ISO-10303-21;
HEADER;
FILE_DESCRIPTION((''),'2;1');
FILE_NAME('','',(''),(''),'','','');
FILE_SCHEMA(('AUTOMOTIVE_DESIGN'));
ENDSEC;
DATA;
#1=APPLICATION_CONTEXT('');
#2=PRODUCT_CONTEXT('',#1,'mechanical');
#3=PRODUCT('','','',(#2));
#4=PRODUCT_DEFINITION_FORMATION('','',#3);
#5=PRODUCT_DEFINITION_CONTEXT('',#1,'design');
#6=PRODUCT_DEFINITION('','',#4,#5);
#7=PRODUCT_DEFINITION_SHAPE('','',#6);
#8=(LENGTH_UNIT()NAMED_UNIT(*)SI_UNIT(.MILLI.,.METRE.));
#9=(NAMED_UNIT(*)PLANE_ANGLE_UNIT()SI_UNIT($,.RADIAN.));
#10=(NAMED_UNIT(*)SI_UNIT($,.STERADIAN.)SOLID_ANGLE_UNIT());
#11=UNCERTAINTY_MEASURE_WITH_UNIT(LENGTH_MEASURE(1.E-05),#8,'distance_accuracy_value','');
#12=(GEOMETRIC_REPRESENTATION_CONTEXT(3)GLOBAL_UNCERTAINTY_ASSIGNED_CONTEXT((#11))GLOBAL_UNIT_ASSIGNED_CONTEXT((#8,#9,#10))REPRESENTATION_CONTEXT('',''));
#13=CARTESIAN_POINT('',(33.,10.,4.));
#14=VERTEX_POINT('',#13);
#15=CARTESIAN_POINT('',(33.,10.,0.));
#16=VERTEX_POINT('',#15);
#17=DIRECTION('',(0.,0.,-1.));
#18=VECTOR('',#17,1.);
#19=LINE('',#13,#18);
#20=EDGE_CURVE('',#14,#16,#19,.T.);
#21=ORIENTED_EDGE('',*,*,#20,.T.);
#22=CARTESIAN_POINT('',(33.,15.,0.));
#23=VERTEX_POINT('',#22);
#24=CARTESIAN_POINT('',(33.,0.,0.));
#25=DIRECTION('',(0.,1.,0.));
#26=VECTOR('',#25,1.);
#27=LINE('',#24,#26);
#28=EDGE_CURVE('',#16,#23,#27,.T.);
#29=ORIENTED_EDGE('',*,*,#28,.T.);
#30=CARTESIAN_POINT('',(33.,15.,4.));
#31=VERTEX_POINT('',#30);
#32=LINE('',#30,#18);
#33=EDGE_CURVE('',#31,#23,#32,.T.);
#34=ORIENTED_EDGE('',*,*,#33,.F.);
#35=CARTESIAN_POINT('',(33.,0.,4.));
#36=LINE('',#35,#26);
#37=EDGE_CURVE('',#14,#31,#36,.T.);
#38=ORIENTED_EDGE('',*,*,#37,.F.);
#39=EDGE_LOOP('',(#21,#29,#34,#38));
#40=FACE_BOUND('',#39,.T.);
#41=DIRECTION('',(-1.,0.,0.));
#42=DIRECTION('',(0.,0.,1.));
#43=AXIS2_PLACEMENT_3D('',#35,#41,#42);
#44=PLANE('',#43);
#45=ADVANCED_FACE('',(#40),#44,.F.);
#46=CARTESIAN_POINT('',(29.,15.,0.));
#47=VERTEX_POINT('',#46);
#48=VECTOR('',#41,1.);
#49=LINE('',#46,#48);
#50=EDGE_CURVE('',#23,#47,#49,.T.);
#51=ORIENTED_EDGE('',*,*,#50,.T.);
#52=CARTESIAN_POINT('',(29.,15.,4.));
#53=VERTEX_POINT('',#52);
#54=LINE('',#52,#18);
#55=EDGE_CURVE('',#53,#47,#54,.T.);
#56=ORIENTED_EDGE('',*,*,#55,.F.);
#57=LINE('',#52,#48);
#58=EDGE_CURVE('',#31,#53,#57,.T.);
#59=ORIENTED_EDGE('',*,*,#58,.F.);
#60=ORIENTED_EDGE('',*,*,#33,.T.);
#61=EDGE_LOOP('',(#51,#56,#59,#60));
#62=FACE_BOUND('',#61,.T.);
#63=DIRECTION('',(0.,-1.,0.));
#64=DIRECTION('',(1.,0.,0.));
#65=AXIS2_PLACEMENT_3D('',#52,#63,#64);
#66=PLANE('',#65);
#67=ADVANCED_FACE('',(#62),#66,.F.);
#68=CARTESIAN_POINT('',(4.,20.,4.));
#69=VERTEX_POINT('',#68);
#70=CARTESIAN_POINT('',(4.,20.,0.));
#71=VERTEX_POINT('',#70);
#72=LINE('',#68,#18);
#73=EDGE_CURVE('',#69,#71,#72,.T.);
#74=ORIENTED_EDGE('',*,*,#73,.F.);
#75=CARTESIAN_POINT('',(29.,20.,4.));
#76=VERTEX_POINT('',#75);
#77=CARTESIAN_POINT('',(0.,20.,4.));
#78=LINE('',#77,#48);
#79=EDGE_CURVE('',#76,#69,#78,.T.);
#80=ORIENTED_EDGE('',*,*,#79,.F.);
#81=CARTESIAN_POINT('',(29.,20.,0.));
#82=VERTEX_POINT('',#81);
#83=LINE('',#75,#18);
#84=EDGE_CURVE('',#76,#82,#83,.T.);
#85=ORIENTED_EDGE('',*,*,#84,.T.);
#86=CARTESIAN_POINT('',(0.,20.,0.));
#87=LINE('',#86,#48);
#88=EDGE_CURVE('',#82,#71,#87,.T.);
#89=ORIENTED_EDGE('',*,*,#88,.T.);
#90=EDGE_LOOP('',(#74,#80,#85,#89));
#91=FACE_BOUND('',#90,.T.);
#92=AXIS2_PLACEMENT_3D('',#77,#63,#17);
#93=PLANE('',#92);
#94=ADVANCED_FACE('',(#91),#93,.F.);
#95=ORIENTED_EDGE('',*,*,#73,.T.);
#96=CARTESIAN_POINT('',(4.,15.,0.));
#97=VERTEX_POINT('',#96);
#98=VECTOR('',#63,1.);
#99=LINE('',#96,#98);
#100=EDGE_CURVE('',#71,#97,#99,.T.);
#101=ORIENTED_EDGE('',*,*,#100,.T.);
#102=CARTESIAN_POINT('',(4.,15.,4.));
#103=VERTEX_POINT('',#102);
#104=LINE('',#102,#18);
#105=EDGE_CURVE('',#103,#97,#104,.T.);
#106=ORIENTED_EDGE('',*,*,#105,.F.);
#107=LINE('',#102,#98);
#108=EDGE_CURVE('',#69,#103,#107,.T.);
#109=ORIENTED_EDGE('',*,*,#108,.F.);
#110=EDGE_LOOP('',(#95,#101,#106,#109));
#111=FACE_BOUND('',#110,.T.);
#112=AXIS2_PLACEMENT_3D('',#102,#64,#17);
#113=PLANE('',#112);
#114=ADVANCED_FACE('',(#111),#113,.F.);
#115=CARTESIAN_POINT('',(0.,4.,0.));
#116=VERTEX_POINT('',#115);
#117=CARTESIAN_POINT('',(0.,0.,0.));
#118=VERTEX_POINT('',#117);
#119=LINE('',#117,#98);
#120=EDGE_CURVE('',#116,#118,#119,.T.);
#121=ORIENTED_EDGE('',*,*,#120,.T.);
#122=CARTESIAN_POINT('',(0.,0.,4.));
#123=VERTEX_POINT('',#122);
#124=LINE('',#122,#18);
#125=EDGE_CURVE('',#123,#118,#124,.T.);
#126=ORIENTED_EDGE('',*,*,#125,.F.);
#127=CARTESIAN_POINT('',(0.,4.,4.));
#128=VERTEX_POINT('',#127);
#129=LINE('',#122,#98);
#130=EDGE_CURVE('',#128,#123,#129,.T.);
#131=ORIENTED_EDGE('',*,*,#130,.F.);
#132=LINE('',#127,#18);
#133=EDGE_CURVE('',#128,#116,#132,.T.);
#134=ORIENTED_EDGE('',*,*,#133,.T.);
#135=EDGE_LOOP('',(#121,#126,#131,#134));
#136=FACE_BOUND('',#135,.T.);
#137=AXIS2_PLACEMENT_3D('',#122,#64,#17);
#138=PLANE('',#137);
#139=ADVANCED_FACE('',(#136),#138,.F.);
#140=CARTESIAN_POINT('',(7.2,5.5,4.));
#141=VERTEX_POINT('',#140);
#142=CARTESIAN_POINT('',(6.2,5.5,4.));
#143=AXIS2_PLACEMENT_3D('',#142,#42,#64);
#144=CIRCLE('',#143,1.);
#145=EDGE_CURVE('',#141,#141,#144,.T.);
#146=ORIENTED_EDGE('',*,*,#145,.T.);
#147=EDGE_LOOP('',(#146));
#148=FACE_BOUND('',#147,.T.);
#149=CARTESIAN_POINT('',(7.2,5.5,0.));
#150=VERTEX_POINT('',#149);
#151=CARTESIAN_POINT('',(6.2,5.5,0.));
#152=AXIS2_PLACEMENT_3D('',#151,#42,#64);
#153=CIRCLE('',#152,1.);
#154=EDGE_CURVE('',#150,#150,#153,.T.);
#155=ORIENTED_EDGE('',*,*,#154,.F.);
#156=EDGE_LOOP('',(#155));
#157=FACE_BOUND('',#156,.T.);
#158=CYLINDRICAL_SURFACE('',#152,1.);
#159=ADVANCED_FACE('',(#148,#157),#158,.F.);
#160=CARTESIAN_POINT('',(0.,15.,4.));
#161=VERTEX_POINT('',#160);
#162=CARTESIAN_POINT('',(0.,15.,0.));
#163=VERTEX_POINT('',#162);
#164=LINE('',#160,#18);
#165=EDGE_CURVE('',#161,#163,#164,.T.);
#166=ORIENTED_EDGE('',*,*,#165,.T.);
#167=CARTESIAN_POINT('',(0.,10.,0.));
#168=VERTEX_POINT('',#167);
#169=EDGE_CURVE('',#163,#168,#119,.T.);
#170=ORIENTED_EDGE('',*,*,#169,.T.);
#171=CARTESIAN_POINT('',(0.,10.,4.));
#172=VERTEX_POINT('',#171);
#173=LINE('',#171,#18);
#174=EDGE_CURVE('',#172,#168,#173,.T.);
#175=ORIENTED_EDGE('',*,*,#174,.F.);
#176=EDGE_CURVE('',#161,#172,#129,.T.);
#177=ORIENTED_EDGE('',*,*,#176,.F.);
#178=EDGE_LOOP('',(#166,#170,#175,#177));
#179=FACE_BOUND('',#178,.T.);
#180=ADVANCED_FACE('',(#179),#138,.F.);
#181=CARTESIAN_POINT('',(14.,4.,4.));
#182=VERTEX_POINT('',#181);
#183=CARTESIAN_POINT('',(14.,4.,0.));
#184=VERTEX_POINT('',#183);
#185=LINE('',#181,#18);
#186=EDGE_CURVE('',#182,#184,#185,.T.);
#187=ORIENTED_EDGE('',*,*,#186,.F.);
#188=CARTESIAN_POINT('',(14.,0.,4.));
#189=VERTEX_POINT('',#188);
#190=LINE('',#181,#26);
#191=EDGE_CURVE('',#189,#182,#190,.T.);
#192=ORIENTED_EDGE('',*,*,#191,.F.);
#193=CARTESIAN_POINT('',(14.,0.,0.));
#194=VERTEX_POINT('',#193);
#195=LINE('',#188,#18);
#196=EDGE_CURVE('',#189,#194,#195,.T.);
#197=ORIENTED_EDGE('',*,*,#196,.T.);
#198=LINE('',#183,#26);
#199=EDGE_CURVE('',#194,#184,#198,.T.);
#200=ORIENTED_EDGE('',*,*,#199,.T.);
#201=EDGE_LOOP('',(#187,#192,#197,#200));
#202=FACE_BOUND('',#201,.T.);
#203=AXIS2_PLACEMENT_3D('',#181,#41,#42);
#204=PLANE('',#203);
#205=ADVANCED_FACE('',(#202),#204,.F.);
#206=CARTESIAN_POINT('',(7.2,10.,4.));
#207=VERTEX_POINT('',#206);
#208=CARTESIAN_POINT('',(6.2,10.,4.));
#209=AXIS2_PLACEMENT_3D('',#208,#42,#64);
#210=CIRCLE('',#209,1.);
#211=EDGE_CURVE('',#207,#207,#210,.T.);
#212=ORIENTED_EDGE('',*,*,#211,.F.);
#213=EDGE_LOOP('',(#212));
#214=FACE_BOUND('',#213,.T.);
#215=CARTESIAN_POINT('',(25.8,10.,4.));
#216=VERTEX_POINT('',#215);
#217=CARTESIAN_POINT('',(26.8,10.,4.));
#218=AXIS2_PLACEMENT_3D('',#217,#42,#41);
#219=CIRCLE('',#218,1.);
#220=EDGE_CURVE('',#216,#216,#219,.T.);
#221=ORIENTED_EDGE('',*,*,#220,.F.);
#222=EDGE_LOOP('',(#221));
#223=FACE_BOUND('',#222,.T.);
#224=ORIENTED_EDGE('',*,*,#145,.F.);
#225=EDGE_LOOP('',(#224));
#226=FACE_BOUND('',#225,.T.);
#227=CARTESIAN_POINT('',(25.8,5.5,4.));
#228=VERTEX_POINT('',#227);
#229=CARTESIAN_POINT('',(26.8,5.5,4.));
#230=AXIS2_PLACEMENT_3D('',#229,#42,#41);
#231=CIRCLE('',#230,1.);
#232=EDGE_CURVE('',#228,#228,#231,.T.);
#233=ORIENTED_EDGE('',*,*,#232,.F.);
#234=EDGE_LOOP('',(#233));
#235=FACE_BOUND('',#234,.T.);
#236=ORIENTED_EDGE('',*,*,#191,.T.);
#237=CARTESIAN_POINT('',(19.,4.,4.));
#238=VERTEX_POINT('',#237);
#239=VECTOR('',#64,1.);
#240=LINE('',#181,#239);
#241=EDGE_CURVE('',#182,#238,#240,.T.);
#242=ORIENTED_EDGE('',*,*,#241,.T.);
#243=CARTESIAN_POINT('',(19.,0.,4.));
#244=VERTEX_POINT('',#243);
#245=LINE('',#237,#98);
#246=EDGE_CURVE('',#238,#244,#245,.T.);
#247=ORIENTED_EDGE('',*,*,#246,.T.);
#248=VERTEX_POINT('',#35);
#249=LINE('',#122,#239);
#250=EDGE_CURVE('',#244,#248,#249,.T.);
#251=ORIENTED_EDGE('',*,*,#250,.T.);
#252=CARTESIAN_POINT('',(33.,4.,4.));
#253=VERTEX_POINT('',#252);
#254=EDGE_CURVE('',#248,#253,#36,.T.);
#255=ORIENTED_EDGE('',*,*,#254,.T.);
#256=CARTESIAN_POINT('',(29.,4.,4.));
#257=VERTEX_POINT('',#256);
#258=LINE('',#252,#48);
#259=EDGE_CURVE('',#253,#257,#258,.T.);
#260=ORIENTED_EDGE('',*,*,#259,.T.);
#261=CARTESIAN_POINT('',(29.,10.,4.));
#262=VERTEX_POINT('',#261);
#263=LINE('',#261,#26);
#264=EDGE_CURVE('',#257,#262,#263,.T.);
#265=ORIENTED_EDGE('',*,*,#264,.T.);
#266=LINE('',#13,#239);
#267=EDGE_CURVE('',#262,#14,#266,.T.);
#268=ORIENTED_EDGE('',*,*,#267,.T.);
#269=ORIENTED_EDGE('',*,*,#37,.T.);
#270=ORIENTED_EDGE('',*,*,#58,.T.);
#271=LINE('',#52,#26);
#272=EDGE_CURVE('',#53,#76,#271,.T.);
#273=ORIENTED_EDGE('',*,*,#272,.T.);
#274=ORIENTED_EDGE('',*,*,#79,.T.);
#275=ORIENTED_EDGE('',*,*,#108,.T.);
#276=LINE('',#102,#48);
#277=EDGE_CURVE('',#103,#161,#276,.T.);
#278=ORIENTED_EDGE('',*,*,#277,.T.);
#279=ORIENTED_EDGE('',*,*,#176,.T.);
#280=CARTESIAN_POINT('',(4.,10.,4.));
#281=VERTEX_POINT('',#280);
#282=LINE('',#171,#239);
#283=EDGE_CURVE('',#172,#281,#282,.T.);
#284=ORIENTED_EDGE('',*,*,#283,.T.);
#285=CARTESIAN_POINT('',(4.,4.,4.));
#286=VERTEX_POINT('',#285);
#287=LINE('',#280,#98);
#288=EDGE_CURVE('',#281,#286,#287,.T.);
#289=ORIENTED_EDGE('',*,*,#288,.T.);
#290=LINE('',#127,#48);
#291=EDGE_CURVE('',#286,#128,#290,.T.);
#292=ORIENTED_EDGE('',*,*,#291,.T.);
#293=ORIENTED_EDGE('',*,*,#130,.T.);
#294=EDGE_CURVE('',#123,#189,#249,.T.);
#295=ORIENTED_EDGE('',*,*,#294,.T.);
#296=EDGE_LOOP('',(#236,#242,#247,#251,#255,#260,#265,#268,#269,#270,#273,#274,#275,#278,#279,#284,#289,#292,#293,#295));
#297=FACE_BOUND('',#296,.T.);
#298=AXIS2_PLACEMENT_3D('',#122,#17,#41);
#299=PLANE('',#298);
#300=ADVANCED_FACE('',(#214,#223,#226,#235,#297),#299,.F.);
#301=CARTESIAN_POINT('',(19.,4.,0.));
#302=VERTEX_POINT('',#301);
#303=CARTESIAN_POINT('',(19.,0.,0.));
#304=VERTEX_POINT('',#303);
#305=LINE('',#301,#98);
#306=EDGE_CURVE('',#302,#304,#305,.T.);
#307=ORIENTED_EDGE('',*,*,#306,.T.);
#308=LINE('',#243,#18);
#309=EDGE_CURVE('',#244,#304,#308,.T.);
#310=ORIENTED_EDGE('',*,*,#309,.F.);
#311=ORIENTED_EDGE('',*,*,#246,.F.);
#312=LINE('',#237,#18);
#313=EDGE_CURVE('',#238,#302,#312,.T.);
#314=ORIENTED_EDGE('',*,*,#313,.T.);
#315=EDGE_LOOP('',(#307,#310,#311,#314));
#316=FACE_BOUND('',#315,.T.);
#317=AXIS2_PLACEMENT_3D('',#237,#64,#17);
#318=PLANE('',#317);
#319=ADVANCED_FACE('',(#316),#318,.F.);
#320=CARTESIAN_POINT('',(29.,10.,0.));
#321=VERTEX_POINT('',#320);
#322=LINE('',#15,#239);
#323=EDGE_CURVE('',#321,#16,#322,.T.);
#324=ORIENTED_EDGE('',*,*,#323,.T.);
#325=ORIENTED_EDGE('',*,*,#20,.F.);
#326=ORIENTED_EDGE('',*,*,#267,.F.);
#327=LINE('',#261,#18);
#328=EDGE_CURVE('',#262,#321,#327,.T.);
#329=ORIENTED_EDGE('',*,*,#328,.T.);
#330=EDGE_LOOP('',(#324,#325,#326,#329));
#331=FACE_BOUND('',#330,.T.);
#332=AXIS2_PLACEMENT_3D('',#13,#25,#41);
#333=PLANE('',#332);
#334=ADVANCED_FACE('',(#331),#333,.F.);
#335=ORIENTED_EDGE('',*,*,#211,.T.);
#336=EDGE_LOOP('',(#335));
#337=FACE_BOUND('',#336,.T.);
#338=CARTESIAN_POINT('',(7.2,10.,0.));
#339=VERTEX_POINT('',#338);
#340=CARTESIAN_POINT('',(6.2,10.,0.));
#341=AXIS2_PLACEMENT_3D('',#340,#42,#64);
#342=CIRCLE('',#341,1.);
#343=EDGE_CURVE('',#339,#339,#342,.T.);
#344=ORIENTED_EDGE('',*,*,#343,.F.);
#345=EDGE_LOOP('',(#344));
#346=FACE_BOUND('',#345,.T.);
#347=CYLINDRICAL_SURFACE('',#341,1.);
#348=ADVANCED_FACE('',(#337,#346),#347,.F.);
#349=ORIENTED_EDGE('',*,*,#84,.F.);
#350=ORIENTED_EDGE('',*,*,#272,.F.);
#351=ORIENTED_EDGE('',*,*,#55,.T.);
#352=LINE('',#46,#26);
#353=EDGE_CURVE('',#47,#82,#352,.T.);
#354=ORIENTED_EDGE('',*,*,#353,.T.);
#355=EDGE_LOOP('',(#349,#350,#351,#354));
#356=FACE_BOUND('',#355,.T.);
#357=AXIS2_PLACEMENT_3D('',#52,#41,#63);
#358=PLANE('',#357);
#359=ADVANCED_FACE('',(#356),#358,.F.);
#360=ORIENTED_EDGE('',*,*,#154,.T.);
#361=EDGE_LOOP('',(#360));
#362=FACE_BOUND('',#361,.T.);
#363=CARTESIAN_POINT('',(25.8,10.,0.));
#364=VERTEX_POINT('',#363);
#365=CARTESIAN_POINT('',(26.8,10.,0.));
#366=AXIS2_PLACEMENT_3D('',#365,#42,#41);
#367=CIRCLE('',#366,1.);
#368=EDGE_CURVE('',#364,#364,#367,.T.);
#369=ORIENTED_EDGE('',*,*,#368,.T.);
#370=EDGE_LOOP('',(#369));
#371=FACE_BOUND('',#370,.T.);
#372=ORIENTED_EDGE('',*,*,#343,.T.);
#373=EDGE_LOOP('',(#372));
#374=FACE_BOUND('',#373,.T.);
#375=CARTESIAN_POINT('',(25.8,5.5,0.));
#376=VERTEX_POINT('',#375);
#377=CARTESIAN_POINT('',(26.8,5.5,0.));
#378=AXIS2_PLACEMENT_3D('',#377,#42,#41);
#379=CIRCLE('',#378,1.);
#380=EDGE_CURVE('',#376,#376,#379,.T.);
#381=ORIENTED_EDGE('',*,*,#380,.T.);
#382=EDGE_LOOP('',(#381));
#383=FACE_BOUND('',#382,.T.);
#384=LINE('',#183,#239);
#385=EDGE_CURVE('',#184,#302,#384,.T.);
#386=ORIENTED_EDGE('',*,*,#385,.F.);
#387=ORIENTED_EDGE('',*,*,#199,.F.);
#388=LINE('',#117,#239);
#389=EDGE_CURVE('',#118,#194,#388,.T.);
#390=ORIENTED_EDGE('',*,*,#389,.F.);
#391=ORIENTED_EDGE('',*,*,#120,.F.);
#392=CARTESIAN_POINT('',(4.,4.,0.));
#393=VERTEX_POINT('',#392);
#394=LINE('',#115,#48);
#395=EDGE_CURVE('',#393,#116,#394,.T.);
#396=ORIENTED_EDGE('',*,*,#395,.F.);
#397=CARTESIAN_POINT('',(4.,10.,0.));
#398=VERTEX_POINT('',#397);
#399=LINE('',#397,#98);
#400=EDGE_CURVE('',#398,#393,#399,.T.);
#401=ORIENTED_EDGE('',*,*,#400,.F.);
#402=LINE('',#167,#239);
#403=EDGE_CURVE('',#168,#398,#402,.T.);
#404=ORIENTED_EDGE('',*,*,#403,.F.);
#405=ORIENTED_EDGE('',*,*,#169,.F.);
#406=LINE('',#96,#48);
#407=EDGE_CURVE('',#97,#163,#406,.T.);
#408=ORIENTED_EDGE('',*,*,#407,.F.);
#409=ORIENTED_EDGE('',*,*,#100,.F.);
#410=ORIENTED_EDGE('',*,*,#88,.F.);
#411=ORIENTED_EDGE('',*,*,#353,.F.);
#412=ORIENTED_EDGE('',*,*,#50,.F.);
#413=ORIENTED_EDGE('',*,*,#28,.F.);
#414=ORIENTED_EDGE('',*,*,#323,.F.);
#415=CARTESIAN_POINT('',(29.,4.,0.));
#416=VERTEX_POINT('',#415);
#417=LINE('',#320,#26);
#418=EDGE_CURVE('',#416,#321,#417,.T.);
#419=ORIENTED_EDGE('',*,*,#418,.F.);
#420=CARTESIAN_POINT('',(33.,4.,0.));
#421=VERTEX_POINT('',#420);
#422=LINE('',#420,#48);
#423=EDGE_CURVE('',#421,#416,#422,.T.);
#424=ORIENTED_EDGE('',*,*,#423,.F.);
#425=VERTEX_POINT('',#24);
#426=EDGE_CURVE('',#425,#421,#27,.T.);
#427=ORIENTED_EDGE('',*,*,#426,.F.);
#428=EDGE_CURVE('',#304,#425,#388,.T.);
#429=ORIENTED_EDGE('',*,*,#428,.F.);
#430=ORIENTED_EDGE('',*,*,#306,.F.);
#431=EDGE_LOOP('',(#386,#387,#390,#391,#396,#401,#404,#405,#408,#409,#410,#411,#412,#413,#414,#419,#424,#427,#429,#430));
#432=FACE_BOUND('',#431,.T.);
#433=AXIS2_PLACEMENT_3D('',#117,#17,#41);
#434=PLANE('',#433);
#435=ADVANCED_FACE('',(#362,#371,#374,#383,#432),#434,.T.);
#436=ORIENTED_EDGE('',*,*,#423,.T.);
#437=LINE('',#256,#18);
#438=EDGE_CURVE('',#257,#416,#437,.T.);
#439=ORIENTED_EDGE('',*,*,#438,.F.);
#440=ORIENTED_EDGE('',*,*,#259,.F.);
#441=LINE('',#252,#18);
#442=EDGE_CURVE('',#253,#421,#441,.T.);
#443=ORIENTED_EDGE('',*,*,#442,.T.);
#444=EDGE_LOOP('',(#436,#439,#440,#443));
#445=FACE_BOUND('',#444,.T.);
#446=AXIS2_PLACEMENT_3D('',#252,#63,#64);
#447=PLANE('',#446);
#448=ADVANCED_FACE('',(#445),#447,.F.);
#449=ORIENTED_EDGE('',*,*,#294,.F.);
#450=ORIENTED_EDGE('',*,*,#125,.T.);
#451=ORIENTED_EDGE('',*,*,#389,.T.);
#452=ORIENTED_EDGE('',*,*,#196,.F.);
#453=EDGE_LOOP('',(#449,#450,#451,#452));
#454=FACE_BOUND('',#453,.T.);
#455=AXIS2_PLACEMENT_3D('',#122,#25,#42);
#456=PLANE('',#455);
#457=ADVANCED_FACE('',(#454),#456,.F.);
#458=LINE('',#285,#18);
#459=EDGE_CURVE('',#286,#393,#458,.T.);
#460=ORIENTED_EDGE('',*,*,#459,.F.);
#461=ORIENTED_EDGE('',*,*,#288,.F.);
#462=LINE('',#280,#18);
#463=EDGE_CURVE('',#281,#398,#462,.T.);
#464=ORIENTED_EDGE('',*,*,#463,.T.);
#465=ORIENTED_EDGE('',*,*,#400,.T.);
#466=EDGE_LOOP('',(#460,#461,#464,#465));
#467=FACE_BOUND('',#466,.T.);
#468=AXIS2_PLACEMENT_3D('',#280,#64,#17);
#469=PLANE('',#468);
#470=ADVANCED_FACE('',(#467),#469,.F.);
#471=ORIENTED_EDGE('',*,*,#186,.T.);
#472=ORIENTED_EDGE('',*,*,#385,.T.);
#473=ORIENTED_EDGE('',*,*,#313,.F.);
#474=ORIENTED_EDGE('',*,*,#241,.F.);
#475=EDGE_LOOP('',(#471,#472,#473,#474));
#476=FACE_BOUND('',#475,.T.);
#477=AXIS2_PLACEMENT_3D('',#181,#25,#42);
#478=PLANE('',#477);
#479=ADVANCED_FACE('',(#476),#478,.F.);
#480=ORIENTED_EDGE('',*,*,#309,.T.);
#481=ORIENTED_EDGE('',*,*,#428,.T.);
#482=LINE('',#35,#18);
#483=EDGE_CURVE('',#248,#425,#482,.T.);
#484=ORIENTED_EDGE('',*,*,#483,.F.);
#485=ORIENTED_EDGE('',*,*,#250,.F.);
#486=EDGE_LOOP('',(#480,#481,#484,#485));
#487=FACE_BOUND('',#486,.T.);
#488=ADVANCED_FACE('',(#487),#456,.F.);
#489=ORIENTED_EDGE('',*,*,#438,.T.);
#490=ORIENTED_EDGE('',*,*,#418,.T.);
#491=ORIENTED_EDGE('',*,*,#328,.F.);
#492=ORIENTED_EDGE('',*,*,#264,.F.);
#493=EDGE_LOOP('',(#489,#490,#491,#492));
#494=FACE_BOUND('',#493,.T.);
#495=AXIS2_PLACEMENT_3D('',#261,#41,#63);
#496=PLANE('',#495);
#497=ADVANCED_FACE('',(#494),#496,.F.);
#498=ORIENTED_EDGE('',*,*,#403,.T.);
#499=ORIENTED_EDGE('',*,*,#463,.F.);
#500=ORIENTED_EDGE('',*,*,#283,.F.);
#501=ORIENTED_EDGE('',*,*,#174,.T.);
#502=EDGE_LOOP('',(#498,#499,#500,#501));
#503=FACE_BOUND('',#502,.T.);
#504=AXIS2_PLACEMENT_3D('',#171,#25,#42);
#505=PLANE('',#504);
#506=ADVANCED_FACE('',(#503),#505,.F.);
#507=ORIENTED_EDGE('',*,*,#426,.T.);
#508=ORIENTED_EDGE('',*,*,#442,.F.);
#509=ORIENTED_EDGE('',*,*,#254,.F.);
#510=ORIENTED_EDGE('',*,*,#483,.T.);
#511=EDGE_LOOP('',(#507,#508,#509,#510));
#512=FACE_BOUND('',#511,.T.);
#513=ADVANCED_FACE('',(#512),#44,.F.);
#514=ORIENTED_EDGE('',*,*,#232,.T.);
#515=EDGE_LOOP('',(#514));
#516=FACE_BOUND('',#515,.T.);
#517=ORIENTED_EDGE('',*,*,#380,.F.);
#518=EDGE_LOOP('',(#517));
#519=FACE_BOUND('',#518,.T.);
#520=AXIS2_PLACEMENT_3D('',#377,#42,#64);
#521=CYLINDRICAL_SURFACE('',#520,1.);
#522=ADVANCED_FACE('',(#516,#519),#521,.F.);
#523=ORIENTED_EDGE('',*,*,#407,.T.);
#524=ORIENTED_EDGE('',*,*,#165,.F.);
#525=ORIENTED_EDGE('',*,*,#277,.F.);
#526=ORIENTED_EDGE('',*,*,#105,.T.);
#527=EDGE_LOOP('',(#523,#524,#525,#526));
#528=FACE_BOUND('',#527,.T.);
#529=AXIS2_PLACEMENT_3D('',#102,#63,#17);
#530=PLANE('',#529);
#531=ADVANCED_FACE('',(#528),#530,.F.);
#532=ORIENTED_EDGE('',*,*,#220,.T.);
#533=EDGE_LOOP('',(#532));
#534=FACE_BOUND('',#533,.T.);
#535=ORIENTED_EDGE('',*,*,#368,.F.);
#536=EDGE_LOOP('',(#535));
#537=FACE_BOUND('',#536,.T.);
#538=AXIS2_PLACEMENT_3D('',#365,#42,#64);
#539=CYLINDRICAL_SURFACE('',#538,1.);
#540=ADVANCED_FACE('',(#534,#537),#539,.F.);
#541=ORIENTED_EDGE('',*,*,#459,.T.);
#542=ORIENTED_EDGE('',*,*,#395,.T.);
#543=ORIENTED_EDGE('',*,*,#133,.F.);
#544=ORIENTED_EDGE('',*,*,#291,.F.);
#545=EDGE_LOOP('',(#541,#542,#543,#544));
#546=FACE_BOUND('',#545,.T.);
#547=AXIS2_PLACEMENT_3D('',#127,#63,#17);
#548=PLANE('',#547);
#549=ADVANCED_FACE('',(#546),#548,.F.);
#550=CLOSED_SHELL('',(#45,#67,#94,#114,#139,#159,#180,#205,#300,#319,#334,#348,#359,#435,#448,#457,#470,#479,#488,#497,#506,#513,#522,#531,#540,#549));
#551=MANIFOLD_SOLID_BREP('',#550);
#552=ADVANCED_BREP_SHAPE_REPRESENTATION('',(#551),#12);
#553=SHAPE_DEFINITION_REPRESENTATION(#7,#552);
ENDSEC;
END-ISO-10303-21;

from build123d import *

# Parameters (mm, degrees)
SKETCH_1_W          = 33
SKETCH_1_H          = 20
EXTRUDE_1_DEPTH     = 4
SKETCH_2_W          = 4
SKETCH_2_H          = 5
SKETCH_2_H_2        = 6
SKETCH_2_W_2        = 5
SKETCH_2_H_3        = 4
CUT_EXTRUDE_1_DEPTH = 4
SKETCH_3_R          = 1
CUT_EXTRUDE_2_DEPTH = 4


with BuildPart() as part:
    # Эскиз1 → Бобышка-Вытянуть1 (new body)
    with BuildSketch(Plane.XY):
        with Locations((16.5, 10)):
            Rectangle(SKETCH_1_W, SKETCH_1_H)
    extrude(amount=EXTRUDE_1_DEPTH)

    # Эскиз2 → Вырез-Вытянуть1 (cut)
    with BuildSketch(Plane(origin=(0, 0, 0), x_dir=(-1, 0, 0), z_dir=(0, 0, -1))):
        with Locations((-2, 17.5)):
            Rectangle(SKETCH_2_W, SKETCH_2_H)
        with Locations((-2, 7)):
            Rectangle(SKETCH_2_W, SKETCH_2_H_2)
        with Locations((-16.5, 2)):
            Rectangle(SKETCH_2_W_2, SKETCH_2_H_3)
        with Locations((-31, 7)):
            Rectangle(SKETCH_2_W, SKETCH_2_H_2)
        with Locations((-31, 17.5)):
            Rectangle(SKETCH_2_W, SKETCH_2_H)
    extrude(amount=-CUT_EXTRUDE_1_DEPTH, mode=Mode.SUBTRACT)

    # Эскиз3 → Вырез-Вытянуть2 (cut)
    with BuildSketch(Plane.XY.offset(4)):
        with Locations((6.2, 10)):
            Circle(SKETCH_3_R)
        with Locations(Location((26.8, 10, 0), (0, 0, 180))):
            Circle(SKETCH_3_R)
        with Locations((6.2, 5.5)):
            Circle(SKETCH_3_R)
        with Locations(Location((26.8, 5.5, 0), (0, 0, 180))):
            Circle(SKETCH_3_R)
    extrude(amount=-CUT_EXTRUDE_2_DEPTH, mode=Mode.SUBTRACT)


solid = part.part
